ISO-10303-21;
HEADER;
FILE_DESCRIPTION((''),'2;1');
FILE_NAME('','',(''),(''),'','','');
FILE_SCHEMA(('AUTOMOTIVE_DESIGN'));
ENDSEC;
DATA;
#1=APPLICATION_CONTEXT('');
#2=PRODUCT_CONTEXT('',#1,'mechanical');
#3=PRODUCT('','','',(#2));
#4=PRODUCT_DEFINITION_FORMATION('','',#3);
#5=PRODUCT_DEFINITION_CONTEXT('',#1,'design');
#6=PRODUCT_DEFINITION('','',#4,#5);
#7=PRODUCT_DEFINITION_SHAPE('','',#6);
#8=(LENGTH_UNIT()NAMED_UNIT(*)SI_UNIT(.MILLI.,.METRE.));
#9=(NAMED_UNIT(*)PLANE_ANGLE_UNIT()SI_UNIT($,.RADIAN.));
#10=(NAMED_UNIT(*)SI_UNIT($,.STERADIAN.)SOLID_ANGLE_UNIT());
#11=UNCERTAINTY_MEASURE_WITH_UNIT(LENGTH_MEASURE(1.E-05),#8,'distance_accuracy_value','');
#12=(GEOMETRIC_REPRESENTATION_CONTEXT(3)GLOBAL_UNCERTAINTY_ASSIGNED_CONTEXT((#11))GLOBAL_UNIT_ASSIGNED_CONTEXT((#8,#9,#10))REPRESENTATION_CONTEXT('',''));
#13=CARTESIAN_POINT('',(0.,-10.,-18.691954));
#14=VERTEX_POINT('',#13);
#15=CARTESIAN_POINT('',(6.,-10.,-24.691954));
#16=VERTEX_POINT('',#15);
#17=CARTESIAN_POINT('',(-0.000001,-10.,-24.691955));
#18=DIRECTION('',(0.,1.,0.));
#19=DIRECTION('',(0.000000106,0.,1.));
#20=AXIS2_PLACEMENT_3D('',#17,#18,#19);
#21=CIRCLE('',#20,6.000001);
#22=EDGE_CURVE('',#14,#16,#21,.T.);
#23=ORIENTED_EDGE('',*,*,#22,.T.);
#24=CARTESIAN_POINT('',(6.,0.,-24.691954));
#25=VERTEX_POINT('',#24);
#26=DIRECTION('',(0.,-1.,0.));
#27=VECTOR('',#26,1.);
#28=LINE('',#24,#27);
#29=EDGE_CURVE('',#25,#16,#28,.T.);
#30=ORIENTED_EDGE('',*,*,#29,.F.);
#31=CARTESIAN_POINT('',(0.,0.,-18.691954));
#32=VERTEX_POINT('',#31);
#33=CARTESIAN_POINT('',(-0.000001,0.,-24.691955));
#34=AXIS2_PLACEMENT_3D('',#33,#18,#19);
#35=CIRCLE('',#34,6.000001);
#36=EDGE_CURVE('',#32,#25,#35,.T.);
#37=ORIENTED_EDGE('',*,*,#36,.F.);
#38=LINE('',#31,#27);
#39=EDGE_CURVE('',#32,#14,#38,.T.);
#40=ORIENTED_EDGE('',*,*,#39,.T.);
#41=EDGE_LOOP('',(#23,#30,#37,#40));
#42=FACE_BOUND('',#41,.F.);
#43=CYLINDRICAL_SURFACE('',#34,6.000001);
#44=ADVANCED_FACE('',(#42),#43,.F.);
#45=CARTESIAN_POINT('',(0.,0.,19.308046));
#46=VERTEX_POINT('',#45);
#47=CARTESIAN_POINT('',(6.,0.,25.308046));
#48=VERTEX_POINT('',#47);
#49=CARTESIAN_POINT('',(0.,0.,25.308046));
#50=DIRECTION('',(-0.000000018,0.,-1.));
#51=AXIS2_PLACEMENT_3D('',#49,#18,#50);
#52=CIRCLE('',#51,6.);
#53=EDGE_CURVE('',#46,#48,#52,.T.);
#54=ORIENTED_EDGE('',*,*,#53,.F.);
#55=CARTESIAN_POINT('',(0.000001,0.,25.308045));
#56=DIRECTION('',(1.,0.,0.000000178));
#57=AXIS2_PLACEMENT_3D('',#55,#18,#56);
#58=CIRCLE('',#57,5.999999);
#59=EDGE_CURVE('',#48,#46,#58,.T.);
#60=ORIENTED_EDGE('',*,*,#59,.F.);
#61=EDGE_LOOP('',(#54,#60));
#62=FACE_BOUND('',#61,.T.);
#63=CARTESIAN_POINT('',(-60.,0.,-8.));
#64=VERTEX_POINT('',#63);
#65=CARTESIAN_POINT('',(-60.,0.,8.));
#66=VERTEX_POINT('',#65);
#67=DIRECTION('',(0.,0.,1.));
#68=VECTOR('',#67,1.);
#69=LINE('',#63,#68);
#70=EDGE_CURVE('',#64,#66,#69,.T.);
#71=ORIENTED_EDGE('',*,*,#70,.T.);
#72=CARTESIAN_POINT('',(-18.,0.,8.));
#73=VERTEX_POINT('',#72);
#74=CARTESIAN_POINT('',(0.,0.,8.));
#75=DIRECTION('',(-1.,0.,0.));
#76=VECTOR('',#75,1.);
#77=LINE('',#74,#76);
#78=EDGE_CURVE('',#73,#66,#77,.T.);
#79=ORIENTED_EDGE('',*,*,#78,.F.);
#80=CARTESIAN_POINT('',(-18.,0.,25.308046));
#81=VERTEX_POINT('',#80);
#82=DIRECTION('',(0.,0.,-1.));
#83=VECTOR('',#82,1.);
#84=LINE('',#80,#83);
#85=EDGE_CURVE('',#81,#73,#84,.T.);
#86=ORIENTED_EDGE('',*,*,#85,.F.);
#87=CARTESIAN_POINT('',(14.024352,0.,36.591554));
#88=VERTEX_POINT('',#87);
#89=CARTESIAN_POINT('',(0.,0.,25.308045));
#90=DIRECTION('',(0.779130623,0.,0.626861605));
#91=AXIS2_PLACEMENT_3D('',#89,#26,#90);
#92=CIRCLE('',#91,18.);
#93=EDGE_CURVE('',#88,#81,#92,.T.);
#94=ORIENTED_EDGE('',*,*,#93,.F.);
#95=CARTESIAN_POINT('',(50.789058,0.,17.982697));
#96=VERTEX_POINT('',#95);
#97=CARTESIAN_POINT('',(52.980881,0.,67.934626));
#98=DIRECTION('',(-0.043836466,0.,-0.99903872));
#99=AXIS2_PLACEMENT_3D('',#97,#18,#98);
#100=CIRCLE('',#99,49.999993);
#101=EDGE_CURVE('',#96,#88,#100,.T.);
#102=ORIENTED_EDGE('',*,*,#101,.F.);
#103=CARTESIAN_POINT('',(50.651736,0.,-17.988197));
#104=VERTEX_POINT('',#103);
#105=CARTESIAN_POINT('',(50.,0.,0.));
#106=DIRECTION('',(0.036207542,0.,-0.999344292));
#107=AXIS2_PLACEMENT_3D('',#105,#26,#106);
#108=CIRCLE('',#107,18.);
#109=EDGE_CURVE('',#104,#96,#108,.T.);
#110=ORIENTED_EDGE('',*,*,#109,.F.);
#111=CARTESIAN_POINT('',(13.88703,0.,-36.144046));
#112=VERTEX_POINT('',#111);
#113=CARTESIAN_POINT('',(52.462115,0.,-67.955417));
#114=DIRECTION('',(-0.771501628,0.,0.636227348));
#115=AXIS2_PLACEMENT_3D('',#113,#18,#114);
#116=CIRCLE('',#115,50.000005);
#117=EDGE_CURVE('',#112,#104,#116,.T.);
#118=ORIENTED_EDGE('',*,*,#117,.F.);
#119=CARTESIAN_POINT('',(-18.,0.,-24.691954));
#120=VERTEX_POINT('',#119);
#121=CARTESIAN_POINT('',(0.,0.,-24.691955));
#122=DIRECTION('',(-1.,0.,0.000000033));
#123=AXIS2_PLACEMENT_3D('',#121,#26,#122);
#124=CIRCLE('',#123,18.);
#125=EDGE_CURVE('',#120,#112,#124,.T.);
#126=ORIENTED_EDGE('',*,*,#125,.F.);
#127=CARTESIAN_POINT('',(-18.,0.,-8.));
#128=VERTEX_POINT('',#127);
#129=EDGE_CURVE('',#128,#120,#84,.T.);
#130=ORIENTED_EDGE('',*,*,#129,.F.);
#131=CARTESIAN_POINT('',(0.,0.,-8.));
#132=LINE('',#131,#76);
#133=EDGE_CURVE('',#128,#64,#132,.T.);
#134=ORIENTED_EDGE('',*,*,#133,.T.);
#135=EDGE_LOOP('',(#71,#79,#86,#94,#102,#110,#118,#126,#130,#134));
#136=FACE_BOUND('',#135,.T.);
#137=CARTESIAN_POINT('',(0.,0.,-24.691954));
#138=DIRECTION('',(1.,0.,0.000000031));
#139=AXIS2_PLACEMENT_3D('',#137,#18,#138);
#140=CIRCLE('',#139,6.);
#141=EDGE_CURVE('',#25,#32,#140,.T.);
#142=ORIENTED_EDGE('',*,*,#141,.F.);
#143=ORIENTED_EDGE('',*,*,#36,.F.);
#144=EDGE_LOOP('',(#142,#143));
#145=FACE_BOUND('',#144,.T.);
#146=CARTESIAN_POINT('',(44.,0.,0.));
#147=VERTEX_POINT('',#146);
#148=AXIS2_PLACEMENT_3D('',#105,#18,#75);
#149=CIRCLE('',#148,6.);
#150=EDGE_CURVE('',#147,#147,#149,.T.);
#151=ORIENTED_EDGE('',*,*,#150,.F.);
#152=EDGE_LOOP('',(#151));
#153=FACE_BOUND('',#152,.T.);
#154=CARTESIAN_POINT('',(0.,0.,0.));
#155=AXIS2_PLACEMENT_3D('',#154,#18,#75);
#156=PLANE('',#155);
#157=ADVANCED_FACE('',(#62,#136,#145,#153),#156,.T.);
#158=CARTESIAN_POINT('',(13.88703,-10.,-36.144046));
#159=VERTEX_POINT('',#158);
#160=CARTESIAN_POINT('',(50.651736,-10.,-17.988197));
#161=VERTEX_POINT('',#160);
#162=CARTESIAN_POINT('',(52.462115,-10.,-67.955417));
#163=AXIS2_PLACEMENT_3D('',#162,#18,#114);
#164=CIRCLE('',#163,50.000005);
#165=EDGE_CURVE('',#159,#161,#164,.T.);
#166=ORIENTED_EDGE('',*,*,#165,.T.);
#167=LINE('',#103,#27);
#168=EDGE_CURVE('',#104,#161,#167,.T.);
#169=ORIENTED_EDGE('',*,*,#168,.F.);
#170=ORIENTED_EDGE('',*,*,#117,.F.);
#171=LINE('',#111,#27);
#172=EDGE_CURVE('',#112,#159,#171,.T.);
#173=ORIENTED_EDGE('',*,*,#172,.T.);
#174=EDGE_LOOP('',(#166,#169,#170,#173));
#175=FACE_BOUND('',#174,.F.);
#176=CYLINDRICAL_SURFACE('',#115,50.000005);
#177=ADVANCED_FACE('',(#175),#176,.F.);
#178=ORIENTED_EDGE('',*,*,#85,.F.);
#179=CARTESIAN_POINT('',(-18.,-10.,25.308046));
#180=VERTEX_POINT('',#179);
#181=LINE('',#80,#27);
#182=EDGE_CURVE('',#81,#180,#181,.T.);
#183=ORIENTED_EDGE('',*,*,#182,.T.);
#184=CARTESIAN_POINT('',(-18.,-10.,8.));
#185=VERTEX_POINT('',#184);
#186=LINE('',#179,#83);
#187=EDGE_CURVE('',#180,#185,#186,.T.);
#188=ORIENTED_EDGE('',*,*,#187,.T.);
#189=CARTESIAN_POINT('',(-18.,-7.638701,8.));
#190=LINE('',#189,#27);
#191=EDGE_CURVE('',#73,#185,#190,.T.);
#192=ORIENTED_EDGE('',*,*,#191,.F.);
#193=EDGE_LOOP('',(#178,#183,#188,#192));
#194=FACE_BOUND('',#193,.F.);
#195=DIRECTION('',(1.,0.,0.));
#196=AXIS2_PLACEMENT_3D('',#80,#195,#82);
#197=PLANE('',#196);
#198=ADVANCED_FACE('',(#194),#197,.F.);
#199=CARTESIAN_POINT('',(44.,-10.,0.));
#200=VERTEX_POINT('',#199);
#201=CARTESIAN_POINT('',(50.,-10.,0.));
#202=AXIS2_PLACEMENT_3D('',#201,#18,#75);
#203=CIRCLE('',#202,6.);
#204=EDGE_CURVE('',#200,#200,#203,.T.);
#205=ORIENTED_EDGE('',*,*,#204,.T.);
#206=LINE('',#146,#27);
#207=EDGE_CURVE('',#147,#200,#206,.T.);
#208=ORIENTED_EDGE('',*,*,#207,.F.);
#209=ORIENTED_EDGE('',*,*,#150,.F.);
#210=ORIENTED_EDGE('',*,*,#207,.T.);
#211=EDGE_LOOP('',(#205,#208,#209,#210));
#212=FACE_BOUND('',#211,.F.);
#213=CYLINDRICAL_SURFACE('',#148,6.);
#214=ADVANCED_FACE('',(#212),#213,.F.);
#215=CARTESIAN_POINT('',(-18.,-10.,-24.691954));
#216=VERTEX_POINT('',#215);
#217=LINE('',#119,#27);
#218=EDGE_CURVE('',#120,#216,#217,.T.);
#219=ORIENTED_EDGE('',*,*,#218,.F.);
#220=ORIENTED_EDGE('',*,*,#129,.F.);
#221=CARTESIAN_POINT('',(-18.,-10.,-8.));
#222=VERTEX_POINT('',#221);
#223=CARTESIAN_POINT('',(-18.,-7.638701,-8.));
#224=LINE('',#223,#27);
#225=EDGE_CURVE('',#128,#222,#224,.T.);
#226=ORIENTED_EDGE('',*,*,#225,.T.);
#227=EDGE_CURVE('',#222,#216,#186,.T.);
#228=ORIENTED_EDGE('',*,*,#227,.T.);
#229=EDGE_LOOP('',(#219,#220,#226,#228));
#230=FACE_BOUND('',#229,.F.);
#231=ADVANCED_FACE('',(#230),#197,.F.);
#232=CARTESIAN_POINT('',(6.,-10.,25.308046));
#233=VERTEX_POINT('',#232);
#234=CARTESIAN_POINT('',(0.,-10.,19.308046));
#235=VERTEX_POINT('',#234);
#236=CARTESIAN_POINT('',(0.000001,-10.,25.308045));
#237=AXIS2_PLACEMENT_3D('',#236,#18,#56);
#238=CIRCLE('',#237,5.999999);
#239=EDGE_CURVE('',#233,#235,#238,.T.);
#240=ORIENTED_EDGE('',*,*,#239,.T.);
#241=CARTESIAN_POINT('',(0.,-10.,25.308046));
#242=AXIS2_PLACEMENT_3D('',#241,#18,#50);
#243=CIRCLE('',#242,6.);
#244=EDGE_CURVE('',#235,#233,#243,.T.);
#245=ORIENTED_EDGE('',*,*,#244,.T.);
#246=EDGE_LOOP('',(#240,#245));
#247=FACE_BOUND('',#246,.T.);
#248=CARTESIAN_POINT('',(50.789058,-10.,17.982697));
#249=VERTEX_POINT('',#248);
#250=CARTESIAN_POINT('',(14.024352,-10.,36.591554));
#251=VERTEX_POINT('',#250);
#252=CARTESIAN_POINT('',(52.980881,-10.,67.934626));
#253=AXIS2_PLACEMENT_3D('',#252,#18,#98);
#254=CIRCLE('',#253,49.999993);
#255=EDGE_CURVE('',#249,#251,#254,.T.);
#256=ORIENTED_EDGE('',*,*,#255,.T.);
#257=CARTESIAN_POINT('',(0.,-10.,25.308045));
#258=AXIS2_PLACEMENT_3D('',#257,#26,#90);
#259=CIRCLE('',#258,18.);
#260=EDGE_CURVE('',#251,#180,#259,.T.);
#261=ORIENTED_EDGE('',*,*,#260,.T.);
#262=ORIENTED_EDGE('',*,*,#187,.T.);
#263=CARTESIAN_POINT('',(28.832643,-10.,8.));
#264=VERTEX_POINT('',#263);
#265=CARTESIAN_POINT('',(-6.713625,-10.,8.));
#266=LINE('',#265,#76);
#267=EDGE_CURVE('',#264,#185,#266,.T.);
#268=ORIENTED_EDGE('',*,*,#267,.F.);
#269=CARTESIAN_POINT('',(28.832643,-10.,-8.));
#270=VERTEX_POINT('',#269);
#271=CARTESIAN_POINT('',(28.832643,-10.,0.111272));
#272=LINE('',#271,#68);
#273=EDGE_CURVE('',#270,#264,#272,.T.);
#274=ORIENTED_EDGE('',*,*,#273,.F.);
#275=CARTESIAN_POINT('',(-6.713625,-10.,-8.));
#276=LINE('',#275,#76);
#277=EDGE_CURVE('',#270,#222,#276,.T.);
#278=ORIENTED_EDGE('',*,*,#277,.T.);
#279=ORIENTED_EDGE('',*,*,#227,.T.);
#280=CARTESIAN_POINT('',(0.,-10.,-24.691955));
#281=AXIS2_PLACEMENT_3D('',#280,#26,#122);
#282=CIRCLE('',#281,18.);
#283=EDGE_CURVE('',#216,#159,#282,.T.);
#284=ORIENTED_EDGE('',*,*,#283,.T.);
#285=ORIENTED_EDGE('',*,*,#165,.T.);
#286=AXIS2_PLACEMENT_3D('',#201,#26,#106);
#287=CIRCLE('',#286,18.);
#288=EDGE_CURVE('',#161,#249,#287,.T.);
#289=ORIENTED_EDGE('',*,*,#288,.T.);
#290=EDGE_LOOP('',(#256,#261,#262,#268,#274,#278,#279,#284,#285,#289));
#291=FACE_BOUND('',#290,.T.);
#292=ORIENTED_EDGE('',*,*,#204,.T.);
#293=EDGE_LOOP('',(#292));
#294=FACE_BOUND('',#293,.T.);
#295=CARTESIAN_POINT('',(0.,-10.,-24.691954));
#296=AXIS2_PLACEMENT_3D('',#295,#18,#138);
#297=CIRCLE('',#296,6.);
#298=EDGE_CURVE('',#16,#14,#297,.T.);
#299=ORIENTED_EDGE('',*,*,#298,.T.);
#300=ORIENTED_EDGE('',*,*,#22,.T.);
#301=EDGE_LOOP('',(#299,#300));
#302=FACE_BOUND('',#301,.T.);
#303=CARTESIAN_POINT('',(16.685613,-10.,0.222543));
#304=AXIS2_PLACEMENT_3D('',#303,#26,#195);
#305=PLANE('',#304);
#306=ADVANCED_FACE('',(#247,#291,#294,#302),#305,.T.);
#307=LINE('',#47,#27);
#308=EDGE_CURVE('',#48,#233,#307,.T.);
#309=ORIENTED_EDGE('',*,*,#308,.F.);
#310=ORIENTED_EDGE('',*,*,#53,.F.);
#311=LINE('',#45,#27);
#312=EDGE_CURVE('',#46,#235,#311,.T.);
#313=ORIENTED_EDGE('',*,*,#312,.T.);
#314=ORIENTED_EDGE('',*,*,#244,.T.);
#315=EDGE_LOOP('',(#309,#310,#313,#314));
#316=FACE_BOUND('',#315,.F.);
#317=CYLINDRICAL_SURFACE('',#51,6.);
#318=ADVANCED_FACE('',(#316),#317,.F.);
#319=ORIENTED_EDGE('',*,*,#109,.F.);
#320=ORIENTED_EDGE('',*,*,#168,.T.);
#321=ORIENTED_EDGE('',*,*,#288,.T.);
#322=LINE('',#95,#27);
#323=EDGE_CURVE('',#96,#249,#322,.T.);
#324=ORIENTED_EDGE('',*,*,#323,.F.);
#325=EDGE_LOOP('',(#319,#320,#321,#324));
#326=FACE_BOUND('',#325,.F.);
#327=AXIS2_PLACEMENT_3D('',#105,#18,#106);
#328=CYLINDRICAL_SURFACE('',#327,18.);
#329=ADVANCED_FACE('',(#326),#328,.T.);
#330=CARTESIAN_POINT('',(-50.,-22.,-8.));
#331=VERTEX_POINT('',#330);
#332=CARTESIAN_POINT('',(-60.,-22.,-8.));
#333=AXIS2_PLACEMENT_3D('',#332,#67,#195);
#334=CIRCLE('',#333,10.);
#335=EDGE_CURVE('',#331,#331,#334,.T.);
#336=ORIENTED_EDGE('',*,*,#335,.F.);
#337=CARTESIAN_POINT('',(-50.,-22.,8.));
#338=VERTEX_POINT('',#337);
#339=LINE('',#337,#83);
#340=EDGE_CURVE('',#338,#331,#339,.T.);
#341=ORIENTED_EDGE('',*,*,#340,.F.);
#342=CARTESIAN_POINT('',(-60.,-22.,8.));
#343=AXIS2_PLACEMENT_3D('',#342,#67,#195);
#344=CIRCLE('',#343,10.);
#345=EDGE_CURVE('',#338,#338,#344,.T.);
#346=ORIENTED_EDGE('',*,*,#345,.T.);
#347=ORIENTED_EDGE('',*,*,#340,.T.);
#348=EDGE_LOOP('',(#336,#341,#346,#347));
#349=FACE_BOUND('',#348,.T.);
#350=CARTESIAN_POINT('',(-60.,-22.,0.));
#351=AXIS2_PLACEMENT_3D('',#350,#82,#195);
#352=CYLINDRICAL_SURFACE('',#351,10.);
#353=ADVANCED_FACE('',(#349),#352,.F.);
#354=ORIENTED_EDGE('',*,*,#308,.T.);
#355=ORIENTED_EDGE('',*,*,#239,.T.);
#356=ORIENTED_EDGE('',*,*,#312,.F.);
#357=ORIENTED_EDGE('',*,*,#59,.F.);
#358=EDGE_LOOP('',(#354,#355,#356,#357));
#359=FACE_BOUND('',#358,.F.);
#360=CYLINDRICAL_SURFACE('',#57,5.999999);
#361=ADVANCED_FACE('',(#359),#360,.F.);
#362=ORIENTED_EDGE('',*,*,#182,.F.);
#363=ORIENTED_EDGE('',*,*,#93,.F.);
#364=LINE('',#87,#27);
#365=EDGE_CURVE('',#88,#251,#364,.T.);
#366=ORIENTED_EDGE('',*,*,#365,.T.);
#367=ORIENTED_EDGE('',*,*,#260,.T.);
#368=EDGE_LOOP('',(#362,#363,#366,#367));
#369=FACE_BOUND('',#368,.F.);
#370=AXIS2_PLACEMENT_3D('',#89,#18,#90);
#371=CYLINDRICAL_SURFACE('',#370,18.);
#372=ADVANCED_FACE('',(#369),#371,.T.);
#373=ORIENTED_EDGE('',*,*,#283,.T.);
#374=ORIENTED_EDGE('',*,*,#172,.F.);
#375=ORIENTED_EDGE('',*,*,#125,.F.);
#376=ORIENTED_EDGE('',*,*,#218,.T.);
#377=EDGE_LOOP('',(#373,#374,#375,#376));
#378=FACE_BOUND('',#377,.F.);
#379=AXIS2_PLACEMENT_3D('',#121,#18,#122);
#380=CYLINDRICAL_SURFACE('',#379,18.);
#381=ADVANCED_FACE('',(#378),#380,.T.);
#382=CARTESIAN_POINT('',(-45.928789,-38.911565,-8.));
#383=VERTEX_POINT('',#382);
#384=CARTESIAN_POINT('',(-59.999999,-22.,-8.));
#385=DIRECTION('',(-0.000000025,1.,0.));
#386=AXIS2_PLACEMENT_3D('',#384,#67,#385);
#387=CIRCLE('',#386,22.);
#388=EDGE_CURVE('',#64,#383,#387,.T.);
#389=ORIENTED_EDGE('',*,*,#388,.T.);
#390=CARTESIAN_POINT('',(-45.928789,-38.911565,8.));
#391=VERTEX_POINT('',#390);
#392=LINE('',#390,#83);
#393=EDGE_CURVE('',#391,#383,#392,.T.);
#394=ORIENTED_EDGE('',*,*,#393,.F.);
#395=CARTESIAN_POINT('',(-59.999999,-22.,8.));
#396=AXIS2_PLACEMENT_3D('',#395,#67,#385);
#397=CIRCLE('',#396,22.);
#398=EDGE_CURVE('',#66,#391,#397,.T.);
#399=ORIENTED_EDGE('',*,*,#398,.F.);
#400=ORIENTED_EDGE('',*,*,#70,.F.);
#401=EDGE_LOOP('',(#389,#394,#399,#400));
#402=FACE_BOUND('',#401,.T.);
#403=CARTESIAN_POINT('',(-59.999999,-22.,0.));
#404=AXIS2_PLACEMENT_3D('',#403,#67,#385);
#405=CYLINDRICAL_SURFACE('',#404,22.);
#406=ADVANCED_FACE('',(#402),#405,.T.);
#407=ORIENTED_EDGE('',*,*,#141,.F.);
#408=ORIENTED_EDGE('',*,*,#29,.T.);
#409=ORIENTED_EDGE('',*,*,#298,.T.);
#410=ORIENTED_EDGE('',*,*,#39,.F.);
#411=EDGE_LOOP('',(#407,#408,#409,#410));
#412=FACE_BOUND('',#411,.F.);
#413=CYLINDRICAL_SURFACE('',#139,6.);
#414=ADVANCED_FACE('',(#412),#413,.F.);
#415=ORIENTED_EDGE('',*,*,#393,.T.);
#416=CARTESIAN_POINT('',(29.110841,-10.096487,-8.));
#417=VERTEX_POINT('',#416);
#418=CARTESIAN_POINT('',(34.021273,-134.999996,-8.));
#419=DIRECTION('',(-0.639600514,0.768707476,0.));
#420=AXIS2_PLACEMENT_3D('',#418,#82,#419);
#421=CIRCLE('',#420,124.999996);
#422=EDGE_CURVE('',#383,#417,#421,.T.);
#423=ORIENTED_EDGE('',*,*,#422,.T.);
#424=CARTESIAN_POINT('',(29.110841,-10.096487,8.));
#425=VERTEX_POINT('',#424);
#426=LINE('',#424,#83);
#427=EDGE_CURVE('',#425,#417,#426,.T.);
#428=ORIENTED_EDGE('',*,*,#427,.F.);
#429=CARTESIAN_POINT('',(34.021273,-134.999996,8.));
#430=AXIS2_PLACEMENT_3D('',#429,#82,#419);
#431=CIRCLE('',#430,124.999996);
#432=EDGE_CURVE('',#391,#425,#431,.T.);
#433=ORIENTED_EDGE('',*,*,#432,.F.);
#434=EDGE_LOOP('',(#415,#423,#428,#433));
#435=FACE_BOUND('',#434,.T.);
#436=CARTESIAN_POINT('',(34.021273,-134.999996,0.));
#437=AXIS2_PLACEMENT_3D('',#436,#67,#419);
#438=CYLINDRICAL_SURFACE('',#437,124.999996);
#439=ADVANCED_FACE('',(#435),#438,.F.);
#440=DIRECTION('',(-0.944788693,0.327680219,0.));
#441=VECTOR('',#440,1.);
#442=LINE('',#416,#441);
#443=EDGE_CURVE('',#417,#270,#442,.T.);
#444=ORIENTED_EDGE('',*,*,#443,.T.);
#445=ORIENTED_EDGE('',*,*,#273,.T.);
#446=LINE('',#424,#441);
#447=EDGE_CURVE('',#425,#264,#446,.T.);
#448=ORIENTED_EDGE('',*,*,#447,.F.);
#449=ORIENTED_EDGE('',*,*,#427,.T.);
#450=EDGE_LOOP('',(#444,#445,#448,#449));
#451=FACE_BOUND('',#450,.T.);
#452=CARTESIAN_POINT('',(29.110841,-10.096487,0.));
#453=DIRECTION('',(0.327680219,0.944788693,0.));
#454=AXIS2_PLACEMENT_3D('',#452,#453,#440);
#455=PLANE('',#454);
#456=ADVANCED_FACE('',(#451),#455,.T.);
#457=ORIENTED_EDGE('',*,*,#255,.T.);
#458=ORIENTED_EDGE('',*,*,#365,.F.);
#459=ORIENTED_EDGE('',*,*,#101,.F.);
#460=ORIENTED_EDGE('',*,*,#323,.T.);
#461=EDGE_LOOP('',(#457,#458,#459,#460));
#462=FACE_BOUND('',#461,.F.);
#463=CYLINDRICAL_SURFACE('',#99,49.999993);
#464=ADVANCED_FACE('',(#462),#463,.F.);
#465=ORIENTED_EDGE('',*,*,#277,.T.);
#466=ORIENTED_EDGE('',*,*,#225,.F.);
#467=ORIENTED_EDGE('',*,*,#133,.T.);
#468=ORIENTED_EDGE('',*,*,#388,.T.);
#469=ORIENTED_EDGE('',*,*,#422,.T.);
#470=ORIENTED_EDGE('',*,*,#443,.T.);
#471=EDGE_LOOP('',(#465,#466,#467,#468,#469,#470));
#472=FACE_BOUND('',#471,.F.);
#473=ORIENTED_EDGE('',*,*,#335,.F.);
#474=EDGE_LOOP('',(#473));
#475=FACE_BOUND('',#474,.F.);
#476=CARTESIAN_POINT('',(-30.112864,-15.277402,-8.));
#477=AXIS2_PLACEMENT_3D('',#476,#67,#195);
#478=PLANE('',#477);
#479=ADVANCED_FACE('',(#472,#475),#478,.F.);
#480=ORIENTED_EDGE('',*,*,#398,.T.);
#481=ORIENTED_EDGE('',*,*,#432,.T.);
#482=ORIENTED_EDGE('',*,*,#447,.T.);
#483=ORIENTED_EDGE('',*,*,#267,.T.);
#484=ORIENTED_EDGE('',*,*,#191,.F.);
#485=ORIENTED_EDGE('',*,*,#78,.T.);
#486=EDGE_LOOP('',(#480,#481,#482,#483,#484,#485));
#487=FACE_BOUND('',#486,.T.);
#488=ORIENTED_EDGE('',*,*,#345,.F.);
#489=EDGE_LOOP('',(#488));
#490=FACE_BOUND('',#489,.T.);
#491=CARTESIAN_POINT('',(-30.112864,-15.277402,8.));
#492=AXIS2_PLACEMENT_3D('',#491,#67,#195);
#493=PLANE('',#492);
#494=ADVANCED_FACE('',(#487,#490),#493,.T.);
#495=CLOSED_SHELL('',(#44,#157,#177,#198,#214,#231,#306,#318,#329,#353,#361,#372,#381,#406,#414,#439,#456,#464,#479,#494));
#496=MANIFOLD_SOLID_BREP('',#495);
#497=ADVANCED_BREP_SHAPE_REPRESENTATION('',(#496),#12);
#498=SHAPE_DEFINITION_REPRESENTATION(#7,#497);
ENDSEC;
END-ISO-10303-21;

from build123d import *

# Parameters (mm, degrees)
F1_DEPTH = 10
F2_R     = 10
F3_DEPTH = 8


with BuildPart() as f1:
    # F0 (on Front) → F1 (new body)
    with BuildSketch(Plane.XZ):
        with BuildLine():
            ThreePointArc((50.789058, 17.982697), (30.400599, 23.323751), (14.024352, 36.591554))
            ThreePointArc((14.024352, 36.591554), (-5.981708, 42.285064), (-18, 25.308046))
            Line((-18, 25.308046), (-18, -24.691954))
            ThreePointArc((-18, -24.691954), (-6.084138, -41.632535), (13.88703, -36.144046))
            ThreePointArc((13.88703, -36.144046), (30.322667, -23.124118), (50.651736, -17.988197))
            ThreePointArc((50.651736, -17.988197), (67.999869, -0.068716), (50.789058, 17.982697))
        make_face()
        with BuildLine():
            ThreePointArc((6, -24.691954), (-4.242641, -28.934595), (0, -18.691954))
            ThreePointArc((0, -18.691954), (4.242641, -20.449314), (6, -24.691954))
        make_face(mode=Mode.SUBTRACT)
        with BuildLine():
            ThreePointArc((56, 0), (50, -6), (44, 0))
            ThreePointArc((44, 0), (50, 6), (56, 0))
        make_face(mode=Mode.SUBTRACT)
        with BuildLine():
            ThreePointArc((0, 19.308046), (-4.242641, 29.550686), (6, 25.308046))
            ThreePointArc((6, 25.308046), (4.242641, 21.065405), (0, 19.308046))
        make_face(mode=Mode.SUBTRACT)
    extrude(amount=F1_DEPTH)

    # F2 (on Top) → F3 (join, symmetric)
    with BuildSketch(Plane.XY):
        with BuildLine():
            Line((29.110841, -10.096487), (0, 0))
            Line((0, 0), (-60, 0))
            ThreePointArc((-60, 0), (-80.688818, -29.481496), (-45.928789, -38.911565))
            ThreePointArc((-45.928789, -38.911565), (-10.788358, -18.307683), (29.110841, -10.096487))
        make_face()
        with Locations((-60, -22)):
            Circle(F2_R, mode=Mode.SUBTRACT)
    extrude(amount=F3_DEPTH, both=True)


solid = f1.part
